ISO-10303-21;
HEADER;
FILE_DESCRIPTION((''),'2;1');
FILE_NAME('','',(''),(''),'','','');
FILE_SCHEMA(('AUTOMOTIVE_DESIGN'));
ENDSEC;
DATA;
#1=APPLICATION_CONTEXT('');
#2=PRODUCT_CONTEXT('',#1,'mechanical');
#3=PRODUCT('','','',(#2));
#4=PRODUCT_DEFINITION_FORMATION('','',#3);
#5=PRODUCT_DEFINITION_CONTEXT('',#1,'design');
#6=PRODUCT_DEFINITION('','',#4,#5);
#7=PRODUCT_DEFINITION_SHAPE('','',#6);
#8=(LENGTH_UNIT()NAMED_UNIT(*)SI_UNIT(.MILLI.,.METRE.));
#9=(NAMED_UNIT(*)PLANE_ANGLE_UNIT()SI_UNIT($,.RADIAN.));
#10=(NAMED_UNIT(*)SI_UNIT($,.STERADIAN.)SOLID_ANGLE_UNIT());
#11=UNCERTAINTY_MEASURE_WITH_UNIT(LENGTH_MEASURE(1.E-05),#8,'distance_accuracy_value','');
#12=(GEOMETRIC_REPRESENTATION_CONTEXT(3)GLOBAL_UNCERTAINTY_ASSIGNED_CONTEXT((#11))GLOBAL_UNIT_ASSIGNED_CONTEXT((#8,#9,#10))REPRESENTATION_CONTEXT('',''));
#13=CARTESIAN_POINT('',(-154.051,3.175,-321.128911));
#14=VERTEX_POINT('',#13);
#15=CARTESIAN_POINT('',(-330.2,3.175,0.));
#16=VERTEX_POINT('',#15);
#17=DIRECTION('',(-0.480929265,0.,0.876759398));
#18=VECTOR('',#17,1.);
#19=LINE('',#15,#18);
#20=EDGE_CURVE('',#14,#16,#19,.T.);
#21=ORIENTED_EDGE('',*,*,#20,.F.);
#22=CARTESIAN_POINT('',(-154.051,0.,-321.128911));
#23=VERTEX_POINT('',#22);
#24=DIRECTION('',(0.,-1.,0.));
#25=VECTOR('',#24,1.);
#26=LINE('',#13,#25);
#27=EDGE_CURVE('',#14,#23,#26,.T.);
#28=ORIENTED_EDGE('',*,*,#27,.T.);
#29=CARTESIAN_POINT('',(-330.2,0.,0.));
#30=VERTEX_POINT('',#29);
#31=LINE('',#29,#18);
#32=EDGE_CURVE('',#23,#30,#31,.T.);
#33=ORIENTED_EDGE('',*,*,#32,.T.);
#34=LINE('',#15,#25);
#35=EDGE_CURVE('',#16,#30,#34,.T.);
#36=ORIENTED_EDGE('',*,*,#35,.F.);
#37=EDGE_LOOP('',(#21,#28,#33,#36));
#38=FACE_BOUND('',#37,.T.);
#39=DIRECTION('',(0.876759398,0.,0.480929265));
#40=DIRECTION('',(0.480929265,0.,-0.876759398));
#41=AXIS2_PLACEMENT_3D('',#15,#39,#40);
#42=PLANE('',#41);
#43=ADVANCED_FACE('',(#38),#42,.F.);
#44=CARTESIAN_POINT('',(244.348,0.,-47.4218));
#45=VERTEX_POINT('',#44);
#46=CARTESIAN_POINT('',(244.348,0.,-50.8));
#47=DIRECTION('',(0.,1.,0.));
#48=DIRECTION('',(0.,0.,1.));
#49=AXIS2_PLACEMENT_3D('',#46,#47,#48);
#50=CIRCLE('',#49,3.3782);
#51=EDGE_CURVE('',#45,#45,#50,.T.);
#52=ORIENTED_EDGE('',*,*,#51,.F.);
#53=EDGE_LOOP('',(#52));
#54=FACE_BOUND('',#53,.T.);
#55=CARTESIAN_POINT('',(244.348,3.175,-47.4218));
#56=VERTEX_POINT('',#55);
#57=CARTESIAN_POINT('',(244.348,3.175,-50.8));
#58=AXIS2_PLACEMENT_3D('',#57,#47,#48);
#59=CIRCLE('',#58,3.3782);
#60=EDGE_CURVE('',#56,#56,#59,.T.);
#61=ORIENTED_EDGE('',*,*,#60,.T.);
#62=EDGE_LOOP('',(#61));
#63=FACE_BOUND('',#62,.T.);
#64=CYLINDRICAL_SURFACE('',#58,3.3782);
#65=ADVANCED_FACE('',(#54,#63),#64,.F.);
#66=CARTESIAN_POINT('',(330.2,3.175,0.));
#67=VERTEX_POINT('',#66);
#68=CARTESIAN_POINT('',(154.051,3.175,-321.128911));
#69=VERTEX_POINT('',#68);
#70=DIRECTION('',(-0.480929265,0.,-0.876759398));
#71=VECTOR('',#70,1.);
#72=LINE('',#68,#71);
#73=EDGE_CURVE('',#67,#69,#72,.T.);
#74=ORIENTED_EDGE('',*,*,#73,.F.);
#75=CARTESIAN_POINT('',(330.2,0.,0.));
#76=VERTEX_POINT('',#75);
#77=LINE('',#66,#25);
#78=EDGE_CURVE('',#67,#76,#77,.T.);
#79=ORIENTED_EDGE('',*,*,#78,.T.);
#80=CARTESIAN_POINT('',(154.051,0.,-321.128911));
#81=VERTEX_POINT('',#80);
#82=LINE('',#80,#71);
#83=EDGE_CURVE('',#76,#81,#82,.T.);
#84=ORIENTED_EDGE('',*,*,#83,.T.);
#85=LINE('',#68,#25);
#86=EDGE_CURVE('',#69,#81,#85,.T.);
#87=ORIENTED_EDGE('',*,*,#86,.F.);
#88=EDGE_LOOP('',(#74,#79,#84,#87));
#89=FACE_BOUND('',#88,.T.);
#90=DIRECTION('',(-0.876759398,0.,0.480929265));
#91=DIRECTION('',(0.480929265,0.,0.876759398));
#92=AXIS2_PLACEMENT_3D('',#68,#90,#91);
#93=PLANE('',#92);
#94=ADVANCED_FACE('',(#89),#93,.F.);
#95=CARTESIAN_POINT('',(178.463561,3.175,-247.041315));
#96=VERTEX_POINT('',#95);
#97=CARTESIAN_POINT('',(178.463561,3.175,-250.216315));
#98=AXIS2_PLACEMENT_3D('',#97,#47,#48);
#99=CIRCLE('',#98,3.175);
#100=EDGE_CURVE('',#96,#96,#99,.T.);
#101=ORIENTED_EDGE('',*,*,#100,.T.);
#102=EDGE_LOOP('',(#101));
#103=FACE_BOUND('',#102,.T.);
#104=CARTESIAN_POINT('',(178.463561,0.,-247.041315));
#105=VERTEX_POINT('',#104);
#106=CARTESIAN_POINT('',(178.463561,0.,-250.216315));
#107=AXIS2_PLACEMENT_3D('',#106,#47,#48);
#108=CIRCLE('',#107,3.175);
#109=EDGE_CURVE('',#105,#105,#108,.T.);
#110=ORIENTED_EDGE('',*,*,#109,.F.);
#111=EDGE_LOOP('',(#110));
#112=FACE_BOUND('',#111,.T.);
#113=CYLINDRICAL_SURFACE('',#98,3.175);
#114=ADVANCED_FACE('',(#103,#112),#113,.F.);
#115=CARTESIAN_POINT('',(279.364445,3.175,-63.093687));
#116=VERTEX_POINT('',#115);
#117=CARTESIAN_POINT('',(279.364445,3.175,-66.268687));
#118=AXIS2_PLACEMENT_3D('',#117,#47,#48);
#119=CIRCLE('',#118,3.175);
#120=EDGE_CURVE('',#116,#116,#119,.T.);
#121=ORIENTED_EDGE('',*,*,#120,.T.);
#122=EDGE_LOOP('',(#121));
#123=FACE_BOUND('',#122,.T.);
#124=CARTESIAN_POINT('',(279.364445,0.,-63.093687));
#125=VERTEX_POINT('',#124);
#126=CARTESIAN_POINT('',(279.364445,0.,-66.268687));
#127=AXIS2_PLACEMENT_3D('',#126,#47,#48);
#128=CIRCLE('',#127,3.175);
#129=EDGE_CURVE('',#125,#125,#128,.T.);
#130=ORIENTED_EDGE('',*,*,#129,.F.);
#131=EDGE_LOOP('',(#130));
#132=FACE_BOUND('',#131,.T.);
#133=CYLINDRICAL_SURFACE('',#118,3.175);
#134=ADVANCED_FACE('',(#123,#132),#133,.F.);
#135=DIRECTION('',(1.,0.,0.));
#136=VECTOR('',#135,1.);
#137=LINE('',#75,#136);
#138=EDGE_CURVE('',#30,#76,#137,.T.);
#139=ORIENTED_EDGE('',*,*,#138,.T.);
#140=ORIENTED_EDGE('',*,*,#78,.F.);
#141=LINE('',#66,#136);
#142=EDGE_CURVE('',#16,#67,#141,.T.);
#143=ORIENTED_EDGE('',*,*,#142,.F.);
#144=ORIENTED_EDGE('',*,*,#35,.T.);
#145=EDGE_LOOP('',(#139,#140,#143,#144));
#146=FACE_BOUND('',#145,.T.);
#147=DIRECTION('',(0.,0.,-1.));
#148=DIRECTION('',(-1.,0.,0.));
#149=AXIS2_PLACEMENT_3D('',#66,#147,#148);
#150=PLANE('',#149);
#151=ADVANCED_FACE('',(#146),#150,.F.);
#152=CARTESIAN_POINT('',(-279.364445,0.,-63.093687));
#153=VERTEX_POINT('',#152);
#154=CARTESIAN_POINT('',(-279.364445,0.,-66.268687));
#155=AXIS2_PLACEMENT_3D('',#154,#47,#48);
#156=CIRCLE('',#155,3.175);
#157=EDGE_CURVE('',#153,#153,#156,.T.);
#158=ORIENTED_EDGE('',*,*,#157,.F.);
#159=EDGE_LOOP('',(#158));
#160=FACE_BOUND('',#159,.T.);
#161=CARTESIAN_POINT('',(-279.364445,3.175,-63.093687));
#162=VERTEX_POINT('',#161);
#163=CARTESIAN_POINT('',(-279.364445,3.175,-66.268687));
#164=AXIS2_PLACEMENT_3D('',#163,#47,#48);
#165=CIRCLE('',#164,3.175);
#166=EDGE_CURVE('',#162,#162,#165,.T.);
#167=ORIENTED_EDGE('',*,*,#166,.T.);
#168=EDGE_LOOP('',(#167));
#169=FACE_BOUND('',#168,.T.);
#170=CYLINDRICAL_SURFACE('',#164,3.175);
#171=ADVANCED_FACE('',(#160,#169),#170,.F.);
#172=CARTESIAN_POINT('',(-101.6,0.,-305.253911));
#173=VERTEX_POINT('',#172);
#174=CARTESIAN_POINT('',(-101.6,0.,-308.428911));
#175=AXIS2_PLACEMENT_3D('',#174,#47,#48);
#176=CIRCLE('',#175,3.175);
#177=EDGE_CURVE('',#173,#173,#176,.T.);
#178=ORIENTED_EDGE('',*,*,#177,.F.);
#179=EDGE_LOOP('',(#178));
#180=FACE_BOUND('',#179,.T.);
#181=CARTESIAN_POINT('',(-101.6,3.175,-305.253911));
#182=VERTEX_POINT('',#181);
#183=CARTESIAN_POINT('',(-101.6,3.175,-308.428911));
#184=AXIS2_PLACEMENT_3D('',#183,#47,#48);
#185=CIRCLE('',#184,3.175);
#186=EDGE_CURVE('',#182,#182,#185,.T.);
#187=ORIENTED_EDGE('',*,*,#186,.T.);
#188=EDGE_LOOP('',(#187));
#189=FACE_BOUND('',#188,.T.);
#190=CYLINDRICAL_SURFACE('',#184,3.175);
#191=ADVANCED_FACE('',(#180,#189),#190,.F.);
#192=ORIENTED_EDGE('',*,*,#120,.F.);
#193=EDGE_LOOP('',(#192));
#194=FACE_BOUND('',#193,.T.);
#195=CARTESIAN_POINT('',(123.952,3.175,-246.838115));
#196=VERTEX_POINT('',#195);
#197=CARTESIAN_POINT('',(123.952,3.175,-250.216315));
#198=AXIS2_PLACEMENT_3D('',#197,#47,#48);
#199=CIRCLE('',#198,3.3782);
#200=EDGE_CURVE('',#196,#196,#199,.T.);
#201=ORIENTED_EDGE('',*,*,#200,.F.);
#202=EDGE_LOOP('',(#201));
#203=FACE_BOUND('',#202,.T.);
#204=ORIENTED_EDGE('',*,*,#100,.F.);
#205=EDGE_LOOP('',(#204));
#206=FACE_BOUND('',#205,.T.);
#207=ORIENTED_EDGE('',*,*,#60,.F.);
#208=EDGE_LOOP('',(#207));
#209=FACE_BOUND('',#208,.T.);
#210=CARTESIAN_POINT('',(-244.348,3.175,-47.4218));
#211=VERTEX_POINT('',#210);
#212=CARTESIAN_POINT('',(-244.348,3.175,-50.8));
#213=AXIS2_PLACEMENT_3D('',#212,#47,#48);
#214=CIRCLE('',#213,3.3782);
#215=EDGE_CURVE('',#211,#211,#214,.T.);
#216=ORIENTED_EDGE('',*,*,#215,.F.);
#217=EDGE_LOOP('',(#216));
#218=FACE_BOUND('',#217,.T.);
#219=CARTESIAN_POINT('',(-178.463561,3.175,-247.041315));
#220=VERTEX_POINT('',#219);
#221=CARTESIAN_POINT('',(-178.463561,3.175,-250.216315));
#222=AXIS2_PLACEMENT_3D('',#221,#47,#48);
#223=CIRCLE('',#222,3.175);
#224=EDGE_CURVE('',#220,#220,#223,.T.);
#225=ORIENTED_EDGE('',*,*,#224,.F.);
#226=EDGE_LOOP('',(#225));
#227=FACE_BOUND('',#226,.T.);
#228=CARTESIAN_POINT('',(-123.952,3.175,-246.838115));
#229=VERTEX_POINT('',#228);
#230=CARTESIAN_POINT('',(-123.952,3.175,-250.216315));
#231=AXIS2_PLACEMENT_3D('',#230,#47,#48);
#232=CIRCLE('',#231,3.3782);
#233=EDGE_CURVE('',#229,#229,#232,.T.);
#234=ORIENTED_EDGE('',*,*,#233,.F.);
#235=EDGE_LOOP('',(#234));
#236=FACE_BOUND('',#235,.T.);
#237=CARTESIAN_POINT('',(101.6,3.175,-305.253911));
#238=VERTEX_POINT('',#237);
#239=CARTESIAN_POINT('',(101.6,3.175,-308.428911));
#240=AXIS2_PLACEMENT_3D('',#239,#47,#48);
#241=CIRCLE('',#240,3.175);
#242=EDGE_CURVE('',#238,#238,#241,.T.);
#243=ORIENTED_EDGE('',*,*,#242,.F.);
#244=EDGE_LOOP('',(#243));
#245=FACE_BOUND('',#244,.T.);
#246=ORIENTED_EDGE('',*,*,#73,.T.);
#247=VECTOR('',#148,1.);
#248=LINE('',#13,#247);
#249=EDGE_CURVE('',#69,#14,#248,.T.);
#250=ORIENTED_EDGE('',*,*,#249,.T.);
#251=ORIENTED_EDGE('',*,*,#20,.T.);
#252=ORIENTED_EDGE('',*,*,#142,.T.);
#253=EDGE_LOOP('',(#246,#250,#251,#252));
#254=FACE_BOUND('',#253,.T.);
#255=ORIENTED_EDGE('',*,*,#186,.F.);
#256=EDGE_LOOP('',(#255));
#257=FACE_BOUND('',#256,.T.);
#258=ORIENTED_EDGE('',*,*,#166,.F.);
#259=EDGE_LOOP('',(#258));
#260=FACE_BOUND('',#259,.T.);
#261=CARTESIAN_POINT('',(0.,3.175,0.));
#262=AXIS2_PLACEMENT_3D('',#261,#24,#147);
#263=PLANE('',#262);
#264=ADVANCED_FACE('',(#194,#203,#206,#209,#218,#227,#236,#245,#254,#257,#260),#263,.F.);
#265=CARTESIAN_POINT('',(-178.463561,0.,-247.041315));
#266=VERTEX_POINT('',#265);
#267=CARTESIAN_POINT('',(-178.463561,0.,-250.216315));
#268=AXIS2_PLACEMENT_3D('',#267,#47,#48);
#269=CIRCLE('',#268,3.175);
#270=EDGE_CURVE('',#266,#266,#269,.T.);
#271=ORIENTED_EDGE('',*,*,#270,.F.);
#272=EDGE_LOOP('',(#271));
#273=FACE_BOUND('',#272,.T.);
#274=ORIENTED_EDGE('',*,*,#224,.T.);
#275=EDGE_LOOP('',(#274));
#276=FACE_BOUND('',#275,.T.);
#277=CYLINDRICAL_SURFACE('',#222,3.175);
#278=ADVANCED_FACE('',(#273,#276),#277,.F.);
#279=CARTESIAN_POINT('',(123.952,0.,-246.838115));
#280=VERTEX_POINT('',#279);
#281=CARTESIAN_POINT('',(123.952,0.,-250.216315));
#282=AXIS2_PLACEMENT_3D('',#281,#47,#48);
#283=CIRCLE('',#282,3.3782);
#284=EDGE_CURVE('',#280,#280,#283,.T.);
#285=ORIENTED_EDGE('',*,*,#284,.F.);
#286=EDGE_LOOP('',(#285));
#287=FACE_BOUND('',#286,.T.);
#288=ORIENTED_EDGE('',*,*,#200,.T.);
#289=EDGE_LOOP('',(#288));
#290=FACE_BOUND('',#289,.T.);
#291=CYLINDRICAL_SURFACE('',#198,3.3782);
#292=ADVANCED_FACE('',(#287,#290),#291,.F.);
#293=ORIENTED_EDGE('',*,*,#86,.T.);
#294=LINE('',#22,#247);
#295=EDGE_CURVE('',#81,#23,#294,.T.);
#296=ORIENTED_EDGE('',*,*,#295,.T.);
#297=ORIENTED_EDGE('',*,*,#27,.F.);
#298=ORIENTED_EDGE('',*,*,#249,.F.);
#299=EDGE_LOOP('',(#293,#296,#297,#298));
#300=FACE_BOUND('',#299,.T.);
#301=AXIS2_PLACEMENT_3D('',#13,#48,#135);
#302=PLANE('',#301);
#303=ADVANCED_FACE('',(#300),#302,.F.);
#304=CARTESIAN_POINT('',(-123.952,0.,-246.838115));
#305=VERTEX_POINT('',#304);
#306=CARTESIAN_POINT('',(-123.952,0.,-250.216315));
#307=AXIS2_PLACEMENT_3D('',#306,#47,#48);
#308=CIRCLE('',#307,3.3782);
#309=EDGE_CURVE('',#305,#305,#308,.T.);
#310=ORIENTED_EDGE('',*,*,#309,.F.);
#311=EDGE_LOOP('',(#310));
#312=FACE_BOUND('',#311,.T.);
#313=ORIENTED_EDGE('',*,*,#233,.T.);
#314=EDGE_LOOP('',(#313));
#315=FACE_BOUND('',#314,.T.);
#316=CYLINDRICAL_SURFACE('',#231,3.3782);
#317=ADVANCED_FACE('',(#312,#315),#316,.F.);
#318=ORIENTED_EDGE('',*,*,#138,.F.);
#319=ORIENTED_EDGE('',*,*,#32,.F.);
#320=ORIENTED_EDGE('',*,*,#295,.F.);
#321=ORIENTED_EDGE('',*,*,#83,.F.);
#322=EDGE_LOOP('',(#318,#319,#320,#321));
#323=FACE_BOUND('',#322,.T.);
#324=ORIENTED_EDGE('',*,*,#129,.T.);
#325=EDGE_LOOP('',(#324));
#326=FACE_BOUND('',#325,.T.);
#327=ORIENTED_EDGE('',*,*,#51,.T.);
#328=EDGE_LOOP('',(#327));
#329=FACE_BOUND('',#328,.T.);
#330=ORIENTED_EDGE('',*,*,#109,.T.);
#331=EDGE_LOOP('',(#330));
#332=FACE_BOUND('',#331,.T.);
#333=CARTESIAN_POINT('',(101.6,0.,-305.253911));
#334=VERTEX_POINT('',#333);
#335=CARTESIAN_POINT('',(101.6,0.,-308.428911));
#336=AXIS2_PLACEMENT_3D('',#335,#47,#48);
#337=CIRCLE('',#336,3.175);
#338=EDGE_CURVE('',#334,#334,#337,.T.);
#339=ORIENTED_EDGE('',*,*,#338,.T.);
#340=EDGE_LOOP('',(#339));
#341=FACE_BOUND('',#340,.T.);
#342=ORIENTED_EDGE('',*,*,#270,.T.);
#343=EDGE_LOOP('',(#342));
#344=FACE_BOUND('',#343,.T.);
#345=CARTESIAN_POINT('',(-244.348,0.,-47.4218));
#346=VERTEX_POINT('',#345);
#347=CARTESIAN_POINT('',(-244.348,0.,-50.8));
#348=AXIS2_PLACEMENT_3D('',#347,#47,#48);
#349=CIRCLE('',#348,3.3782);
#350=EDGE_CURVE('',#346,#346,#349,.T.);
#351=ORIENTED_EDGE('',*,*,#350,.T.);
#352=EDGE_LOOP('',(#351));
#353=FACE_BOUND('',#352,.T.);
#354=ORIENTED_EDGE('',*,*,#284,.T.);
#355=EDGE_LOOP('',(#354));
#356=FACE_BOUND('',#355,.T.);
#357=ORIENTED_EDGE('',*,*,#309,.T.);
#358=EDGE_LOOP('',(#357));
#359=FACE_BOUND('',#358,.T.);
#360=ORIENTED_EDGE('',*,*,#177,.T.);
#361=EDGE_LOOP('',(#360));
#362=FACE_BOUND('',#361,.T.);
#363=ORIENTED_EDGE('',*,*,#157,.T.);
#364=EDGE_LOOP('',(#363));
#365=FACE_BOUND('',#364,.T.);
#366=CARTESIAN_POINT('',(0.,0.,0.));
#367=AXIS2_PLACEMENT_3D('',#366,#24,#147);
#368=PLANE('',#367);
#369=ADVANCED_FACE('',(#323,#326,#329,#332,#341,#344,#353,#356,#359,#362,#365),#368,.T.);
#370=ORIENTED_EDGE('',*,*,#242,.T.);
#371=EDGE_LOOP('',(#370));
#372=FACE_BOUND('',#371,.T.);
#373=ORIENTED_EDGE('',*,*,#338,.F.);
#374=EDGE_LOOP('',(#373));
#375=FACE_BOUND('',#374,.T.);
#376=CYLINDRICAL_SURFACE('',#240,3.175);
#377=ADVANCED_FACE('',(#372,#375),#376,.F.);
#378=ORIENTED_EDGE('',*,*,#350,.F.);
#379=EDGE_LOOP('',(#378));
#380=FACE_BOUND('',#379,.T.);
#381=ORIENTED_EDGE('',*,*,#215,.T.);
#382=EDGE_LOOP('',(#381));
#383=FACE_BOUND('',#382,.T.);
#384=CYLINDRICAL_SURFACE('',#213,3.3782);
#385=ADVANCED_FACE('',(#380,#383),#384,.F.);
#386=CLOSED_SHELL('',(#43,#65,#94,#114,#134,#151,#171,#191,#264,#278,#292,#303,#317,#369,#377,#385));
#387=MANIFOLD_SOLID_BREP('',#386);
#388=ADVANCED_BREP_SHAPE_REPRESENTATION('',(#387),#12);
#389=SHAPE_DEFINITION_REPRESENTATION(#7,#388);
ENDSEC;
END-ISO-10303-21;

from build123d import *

# Parameters (mm, degrees)
BOSS_EXTRUDE1_DEPTH         = 3.175
F_1_4_0_25_DIAMETER_HOLE1_D = 6.35
F_1_4_CLEARANCE_HOLE1_D     = 6.7564


with BuildPart() as part:
    # Sketch1 → Boss-Extrude1 (new body)
    with BuildSketch(Plane(origin=(0, 0, 0), x_dir=(1, 0, 0), z_dir=(0, 1, 0))):
        Polygon((-330.2, 0), (-154.051, 321.128911223), (154.051, 321.128911223), (330.2, 0), align=None)
    extrude(amount=BOSS_EXTRUDE1_DEPTH)

    # 1/4 (0.25) Diameter Hole1 (through all)
    with Locations(Plane(origin=(0, 3.175, 0), x_dir=(1, 0, 0), z_dir=(0, 1, 0))):
        with Locations((-279.364444826, 66.268686649), (-178.463561331, 250.216315407), (-101.6, 308.428911223), (279.364444826, 66.268686649), (178.463561331, 250.216315407), (101.6, 308.428911223)):
            Hole(F_1_4_0_25_DIAMETER_HOLE1_D / 2)

    # 1/4 Clearance Hole1 (through all)
    with Locations(Plane(origin=(0, 3.175, 0), x_dir=(1, 0, 0), z_dir=(0, 1, 0))):
        with Locations((-123.952, 250.216315407), (-244.348, 50.8), (244.348, 50.8), (123.952, 250.216315407)):
            Hole(F_1_4_CLEARANCE_HOLE1_D / 2)


solid = part.part
